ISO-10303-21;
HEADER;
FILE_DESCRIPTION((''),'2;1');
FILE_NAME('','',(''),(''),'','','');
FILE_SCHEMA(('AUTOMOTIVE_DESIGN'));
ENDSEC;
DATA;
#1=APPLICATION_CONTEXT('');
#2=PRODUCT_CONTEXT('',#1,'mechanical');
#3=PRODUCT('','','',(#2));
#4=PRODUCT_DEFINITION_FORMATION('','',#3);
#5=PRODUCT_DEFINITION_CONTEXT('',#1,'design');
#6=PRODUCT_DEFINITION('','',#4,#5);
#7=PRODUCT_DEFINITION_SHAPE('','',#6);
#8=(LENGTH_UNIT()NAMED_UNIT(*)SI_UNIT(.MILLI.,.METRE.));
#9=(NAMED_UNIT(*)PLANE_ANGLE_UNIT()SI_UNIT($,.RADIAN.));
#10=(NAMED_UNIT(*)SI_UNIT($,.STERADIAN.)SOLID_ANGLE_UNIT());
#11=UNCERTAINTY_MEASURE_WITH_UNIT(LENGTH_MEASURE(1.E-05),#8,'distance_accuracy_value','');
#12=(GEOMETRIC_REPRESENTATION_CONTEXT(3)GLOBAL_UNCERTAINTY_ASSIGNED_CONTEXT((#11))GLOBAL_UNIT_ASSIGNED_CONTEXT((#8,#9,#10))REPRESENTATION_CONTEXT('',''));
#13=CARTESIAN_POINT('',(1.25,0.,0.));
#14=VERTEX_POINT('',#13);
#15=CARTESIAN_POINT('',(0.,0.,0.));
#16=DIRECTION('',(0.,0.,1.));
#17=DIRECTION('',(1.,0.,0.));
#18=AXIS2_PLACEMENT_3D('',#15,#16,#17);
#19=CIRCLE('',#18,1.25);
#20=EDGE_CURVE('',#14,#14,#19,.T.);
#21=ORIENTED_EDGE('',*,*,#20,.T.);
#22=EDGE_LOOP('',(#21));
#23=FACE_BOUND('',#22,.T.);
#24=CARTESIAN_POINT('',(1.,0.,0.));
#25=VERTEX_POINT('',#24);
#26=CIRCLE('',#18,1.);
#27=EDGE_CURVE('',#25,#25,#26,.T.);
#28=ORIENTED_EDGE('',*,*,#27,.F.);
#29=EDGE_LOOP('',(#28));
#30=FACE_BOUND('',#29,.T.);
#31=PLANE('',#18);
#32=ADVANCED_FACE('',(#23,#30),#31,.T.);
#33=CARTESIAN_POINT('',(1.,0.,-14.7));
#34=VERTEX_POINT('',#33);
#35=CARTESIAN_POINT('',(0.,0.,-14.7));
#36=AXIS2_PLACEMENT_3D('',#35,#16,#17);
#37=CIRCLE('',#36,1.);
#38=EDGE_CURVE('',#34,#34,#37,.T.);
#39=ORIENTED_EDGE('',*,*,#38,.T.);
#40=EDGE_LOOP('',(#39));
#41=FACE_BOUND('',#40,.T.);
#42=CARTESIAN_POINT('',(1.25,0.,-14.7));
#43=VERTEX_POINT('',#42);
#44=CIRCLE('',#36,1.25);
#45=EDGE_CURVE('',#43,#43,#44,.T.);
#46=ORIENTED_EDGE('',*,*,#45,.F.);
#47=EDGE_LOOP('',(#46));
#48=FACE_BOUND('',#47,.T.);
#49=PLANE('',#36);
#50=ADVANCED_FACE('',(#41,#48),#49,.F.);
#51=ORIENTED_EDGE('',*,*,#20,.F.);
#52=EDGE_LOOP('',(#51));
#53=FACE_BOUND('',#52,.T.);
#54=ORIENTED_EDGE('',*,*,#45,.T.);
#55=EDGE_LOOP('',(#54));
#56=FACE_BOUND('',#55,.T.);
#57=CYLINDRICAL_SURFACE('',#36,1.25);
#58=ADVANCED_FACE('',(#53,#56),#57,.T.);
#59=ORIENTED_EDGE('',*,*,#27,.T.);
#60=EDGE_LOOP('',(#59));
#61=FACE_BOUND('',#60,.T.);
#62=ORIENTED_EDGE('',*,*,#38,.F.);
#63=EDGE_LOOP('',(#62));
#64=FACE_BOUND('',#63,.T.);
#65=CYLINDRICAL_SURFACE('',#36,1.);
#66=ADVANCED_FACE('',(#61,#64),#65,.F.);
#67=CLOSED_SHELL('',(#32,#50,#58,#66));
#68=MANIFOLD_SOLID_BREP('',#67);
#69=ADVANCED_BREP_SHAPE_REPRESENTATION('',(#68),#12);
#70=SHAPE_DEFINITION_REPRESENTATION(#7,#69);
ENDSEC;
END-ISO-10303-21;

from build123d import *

# Parameters (mm, degrees)
SKETCH1_R      = 1.25
SKETCH1_R_2    = 1
EXTRUDE1_DEPTH = 14.7


with BuildPart() as part:
    # Sketch1 → Extrude1 (new body)
    with BuildSketch(Plane.XY):
        Circle(SKETCH1_R)
        Circle(SKETCH1_R_2, mode=Mode.SUBTRACT)
    extrude(amount=-EXTRUDE1_DEPTH)


solid = part.part
